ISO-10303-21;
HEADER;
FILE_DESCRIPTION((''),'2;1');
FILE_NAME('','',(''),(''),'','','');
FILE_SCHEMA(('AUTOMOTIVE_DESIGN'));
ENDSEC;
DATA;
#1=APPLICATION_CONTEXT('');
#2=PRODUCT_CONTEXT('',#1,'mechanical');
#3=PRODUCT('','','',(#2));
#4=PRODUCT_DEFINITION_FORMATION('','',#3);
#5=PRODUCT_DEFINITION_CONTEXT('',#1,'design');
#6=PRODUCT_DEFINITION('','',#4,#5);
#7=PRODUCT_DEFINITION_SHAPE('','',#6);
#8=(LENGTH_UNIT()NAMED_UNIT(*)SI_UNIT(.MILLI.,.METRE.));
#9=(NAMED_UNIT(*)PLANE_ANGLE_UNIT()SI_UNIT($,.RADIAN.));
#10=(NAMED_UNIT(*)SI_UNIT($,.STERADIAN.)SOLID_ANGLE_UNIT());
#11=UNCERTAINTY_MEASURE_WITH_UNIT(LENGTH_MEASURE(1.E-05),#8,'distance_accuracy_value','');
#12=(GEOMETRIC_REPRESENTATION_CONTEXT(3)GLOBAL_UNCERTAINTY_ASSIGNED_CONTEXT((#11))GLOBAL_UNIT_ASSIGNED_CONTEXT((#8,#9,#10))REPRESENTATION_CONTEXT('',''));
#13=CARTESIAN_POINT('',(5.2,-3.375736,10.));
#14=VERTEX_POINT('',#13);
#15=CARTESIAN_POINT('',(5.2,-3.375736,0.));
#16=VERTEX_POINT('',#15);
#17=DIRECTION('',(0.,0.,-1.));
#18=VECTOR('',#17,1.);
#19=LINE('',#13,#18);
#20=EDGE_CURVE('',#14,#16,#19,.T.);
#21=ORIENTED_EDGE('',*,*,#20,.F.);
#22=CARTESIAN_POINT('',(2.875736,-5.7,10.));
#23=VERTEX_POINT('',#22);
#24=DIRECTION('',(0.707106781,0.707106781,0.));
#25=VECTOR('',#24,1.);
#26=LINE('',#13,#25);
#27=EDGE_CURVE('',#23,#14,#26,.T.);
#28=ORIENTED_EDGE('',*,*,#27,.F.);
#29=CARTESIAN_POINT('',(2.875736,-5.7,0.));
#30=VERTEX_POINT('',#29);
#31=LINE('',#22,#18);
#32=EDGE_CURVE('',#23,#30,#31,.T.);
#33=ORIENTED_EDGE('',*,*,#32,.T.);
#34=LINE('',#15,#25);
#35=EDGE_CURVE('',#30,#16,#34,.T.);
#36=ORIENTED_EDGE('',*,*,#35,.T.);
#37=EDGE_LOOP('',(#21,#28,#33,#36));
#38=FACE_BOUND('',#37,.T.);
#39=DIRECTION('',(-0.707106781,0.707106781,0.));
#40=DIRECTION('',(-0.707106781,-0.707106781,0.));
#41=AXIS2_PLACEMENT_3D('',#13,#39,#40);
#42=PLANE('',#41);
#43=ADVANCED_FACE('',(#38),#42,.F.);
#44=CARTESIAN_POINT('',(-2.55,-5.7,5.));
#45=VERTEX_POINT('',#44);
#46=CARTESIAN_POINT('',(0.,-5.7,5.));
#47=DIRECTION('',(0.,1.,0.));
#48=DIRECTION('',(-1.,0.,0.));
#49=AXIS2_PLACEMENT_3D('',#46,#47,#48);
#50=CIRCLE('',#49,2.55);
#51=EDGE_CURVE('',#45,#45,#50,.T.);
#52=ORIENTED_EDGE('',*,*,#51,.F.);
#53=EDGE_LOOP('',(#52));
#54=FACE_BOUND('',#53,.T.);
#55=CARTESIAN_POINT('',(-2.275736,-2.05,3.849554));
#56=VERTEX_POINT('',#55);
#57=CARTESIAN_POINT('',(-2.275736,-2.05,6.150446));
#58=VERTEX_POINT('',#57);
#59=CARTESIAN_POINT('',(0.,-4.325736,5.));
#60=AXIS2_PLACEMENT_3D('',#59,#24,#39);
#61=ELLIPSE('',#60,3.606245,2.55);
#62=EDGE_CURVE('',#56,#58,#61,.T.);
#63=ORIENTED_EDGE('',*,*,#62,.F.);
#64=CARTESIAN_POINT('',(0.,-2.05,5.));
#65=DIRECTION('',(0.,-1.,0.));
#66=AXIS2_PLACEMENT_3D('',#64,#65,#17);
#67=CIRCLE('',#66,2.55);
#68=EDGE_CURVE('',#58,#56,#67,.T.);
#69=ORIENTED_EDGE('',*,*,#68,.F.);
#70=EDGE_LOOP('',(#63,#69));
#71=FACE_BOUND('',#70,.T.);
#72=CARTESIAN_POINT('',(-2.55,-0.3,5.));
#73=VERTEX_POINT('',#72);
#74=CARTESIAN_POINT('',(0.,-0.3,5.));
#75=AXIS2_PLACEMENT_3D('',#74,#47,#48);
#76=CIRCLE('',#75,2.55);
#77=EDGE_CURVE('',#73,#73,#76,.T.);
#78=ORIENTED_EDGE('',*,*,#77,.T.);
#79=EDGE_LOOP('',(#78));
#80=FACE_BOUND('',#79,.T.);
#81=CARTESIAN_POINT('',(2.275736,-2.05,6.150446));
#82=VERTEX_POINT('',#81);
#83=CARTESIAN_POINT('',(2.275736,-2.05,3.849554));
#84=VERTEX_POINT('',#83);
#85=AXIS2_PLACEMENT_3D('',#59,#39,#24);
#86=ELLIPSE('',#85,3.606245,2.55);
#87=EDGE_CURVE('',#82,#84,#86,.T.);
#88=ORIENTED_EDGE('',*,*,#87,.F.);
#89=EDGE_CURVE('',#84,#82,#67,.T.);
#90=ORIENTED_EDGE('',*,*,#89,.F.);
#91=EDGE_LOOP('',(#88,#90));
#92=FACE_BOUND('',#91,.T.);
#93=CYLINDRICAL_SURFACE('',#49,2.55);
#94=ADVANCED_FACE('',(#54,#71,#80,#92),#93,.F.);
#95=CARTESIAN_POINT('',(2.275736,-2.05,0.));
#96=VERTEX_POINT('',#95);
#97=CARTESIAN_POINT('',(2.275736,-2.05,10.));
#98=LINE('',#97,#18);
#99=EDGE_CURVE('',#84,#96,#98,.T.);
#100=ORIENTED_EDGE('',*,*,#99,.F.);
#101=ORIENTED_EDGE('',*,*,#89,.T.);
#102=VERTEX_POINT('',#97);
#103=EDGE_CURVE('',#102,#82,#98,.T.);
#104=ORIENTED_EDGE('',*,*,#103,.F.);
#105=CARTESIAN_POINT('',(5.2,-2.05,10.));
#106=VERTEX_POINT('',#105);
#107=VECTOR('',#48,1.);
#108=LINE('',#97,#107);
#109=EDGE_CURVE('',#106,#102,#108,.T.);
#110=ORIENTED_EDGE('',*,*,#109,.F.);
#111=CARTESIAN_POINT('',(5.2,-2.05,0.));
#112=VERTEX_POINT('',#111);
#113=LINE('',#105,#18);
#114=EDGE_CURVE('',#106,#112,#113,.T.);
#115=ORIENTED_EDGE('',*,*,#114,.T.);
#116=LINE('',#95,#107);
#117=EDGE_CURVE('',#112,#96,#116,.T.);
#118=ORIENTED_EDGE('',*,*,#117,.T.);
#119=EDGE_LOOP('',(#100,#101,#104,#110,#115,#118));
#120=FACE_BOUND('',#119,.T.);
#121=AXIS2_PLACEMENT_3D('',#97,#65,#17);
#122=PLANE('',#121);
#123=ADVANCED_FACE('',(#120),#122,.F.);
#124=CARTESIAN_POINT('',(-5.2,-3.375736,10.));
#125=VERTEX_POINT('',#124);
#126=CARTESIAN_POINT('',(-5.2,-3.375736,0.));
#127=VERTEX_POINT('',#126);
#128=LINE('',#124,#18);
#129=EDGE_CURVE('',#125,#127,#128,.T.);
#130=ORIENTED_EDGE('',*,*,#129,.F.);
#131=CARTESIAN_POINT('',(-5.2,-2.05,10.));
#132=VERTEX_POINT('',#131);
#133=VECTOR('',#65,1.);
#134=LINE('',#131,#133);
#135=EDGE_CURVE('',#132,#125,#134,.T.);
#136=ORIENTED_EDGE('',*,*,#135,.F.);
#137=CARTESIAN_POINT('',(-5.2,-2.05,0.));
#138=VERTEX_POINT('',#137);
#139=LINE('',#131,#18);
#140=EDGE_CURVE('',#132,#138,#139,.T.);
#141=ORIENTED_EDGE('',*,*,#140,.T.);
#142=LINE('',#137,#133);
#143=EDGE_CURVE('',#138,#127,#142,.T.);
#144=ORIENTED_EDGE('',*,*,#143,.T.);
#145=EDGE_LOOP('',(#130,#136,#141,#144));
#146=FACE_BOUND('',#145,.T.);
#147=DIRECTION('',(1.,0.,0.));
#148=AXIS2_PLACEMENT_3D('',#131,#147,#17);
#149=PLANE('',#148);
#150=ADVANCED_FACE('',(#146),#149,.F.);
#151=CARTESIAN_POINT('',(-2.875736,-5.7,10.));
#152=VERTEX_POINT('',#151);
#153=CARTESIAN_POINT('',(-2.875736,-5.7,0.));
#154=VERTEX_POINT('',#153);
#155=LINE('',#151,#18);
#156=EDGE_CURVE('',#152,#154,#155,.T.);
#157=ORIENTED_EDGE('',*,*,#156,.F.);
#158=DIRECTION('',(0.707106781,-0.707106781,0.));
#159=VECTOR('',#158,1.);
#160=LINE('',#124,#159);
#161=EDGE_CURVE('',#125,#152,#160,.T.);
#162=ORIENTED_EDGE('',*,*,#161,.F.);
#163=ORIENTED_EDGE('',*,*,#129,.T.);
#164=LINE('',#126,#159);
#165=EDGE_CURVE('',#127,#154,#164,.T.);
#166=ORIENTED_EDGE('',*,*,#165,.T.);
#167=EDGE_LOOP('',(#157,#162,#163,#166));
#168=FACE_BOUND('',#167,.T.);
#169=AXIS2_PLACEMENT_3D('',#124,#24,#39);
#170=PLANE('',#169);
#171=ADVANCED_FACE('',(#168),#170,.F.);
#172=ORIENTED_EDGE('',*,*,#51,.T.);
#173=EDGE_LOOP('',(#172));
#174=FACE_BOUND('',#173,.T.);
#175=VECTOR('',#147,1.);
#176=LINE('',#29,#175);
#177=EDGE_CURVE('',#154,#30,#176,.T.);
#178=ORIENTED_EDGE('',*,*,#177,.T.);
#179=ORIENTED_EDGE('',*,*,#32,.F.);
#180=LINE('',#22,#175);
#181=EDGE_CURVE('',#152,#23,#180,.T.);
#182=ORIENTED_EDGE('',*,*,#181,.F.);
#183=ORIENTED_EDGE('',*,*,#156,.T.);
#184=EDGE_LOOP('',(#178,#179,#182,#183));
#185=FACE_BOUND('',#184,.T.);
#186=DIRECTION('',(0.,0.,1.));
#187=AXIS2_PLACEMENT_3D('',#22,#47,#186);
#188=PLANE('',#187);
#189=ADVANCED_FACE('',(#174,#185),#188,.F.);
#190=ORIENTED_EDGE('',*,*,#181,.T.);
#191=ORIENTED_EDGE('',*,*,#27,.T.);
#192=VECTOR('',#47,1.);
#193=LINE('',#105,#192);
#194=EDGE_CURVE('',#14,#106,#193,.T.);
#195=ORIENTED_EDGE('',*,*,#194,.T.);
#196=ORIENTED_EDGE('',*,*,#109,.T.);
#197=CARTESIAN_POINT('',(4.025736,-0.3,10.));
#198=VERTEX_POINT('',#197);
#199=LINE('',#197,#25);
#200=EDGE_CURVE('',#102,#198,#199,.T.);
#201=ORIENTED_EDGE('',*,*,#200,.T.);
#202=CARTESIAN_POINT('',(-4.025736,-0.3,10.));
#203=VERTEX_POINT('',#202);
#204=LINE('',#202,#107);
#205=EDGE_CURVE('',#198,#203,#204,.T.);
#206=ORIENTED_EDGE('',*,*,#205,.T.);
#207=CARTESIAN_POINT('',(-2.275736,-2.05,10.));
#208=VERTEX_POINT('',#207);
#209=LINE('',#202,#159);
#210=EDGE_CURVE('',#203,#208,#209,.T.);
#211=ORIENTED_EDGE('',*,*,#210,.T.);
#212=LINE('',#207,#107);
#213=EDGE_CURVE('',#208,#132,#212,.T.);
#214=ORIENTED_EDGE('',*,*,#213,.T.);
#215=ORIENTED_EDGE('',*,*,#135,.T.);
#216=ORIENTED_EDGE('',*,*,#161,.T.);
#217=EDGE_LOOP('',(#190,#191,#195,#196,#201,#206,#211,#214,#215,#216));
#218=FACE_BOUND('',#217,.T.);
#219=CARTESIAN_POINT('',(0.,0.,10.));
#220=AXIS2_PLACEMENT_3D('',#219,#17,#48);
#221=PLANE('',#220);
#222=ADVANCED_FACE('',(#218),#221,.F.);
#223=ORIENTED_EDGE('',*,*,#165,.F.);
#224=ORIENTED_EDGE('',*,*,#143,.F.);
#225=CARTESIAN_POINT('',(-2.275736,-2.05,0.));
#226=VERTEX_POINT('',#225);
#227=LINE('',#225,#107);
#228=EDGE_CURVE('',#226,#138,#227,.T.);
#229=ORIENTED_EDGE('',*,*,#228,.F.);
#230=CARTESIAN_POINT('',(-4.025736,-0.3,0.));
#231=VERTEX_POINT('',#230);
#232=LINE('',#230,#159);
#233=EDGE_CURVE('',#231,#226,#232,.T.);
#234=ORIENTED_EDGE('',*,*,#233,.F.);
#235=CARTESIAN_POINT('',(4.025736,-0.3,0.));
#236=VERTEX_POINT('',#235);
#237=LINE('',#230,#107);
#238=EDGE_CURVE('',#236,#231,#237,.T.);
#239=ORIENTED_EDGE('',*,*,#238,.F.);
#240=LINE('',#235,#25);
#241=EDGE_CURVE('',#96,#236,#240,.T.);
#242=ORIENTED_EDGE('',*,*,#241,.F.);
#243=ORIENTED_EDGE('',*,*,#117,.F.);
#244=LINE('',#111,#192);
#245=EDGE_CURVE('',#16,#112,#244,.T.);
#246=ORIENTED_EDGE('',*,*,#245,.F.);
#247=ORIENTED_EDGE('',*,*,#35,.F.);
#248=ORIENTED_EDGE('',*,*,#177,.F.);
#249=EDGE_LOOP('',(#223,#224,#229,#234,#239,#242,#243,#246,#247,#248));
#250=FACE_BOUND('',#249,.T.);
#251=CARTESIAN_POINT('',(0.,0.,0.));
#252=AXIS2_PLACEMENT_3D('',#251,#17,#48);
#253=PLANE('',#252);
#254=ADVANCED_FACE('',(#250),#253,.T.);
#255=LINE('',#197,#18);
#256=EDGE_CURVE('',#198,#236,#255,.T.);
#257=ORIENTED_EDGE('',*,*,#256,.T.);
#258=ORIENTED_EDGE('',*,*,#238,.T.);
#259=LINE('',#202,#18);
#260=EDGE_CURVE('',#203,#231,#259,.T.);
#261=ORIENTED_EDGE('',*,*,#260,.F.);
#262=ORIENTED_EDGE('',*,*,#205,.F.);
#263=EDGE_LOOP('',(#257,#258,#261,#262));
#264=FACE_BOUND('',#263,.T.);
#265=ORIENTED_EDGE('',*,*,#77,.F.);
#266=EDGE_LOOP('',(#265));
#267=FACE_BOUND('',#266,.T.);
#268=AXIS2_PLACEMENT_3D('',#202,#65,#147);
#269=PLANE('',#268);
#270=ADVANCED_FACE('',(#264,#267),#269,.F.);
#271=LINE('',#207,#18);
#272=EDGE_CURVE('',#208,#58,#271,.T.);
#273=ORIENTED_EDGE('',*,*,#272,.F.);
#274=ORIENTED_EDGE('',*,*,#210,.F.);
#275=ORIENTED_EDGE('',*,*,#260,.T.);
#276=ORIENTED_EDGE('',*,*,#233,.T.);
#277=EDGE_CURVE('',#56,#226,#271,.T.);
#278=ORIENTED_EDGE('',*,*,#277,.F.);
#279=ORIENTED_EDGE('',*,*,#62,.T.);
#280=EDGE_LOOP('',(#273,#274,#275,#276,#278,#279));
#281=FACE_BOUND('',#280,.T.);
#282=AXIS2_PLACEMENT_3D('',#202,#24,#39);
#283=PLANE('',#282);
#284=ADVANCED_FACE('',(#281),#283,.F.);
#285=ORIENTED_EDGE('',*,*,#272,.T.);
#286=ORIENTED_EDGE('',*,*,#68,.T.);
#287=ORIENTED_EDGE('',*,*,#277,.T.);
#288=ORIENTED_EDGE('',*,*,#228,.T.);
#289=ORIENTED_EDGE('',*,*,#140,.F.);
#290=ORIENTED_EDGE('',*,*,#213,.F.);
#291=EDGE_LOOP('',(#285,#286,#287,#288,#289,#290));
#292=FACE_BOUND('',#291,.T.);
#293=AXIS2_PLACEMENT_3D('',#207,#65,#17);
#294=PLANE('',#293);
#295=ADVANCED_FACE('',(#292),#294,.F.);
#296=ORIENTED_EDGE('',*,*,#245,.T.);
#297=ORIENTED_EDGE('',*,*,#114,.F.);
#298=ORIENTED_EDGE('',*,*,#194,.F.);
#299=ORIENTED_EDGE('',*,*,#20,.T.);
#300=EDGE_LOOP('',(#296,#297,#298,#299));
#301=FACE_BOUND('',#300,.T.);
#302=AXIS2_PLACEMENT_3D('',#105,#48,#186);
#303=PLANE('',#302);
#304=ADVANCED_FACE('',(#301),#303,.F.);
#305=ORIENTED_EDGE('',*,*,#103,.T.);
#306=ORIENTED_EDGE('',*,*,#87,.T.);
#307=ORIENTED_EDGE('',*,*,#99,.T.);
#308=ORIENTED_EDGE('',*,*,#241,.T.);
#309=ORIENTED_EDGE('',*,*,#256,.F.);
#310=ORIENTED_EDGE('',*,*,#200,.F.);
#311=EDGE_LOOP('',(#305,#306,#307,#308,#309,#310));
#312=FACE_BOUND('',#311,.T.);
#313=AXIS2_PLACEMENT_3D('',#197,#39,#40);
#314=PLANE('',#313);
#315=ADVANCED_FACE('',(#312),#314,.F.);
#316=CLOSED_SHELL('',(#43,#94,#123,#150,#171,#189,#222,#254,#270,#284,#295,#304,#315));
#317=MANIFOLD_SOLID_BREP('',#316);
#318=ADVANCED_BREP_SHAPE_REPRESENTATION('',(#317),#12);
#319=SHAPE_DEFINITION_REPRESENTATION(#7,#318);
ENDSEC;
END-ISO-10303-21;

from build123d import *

# Parameters (mm, degrees)
SALIENTE_EXTRUIR1_DEPTH = 10
CROQUIS2_R              = 2.55
CORTAR_EXTRUIR1_DEPTH   = 6.4


with BuildPart() as part:
    # Croquis1 → Saliente-Extruir1 (new body)
    with BuildSketch(Plane.XY):
        Polygon((-4.025735931, -0.3), (4.025735931, -0.3), (2.275735931, -2.05), (5.2, -2.05), (5.2, -3.375735931), (2.875735931, -5.7), (-2.875735931, -5.7), (-5.2, -3.375735931), (-5.2, -2.05), (-2.275735931, -2.05), align=None)
    extrude(amount=SALIENTE_EXTRUIR1_DEPTH)

    # Croquis2 → Cortar-Extruir1 (cut, through all)
    with BuildSketch(Plane(origin=(0, -0.3, 0), x_dir=(1, 0, 0), z_dir=(0, 1, 0))):
        with Locations((0, -5)):
            Circle(CROQUIS2_R)
    extrude(amount=-CORTAR_EXTRUIR1_DEPTH, mode=Mode.SUBTRACT)


solid = part.part
